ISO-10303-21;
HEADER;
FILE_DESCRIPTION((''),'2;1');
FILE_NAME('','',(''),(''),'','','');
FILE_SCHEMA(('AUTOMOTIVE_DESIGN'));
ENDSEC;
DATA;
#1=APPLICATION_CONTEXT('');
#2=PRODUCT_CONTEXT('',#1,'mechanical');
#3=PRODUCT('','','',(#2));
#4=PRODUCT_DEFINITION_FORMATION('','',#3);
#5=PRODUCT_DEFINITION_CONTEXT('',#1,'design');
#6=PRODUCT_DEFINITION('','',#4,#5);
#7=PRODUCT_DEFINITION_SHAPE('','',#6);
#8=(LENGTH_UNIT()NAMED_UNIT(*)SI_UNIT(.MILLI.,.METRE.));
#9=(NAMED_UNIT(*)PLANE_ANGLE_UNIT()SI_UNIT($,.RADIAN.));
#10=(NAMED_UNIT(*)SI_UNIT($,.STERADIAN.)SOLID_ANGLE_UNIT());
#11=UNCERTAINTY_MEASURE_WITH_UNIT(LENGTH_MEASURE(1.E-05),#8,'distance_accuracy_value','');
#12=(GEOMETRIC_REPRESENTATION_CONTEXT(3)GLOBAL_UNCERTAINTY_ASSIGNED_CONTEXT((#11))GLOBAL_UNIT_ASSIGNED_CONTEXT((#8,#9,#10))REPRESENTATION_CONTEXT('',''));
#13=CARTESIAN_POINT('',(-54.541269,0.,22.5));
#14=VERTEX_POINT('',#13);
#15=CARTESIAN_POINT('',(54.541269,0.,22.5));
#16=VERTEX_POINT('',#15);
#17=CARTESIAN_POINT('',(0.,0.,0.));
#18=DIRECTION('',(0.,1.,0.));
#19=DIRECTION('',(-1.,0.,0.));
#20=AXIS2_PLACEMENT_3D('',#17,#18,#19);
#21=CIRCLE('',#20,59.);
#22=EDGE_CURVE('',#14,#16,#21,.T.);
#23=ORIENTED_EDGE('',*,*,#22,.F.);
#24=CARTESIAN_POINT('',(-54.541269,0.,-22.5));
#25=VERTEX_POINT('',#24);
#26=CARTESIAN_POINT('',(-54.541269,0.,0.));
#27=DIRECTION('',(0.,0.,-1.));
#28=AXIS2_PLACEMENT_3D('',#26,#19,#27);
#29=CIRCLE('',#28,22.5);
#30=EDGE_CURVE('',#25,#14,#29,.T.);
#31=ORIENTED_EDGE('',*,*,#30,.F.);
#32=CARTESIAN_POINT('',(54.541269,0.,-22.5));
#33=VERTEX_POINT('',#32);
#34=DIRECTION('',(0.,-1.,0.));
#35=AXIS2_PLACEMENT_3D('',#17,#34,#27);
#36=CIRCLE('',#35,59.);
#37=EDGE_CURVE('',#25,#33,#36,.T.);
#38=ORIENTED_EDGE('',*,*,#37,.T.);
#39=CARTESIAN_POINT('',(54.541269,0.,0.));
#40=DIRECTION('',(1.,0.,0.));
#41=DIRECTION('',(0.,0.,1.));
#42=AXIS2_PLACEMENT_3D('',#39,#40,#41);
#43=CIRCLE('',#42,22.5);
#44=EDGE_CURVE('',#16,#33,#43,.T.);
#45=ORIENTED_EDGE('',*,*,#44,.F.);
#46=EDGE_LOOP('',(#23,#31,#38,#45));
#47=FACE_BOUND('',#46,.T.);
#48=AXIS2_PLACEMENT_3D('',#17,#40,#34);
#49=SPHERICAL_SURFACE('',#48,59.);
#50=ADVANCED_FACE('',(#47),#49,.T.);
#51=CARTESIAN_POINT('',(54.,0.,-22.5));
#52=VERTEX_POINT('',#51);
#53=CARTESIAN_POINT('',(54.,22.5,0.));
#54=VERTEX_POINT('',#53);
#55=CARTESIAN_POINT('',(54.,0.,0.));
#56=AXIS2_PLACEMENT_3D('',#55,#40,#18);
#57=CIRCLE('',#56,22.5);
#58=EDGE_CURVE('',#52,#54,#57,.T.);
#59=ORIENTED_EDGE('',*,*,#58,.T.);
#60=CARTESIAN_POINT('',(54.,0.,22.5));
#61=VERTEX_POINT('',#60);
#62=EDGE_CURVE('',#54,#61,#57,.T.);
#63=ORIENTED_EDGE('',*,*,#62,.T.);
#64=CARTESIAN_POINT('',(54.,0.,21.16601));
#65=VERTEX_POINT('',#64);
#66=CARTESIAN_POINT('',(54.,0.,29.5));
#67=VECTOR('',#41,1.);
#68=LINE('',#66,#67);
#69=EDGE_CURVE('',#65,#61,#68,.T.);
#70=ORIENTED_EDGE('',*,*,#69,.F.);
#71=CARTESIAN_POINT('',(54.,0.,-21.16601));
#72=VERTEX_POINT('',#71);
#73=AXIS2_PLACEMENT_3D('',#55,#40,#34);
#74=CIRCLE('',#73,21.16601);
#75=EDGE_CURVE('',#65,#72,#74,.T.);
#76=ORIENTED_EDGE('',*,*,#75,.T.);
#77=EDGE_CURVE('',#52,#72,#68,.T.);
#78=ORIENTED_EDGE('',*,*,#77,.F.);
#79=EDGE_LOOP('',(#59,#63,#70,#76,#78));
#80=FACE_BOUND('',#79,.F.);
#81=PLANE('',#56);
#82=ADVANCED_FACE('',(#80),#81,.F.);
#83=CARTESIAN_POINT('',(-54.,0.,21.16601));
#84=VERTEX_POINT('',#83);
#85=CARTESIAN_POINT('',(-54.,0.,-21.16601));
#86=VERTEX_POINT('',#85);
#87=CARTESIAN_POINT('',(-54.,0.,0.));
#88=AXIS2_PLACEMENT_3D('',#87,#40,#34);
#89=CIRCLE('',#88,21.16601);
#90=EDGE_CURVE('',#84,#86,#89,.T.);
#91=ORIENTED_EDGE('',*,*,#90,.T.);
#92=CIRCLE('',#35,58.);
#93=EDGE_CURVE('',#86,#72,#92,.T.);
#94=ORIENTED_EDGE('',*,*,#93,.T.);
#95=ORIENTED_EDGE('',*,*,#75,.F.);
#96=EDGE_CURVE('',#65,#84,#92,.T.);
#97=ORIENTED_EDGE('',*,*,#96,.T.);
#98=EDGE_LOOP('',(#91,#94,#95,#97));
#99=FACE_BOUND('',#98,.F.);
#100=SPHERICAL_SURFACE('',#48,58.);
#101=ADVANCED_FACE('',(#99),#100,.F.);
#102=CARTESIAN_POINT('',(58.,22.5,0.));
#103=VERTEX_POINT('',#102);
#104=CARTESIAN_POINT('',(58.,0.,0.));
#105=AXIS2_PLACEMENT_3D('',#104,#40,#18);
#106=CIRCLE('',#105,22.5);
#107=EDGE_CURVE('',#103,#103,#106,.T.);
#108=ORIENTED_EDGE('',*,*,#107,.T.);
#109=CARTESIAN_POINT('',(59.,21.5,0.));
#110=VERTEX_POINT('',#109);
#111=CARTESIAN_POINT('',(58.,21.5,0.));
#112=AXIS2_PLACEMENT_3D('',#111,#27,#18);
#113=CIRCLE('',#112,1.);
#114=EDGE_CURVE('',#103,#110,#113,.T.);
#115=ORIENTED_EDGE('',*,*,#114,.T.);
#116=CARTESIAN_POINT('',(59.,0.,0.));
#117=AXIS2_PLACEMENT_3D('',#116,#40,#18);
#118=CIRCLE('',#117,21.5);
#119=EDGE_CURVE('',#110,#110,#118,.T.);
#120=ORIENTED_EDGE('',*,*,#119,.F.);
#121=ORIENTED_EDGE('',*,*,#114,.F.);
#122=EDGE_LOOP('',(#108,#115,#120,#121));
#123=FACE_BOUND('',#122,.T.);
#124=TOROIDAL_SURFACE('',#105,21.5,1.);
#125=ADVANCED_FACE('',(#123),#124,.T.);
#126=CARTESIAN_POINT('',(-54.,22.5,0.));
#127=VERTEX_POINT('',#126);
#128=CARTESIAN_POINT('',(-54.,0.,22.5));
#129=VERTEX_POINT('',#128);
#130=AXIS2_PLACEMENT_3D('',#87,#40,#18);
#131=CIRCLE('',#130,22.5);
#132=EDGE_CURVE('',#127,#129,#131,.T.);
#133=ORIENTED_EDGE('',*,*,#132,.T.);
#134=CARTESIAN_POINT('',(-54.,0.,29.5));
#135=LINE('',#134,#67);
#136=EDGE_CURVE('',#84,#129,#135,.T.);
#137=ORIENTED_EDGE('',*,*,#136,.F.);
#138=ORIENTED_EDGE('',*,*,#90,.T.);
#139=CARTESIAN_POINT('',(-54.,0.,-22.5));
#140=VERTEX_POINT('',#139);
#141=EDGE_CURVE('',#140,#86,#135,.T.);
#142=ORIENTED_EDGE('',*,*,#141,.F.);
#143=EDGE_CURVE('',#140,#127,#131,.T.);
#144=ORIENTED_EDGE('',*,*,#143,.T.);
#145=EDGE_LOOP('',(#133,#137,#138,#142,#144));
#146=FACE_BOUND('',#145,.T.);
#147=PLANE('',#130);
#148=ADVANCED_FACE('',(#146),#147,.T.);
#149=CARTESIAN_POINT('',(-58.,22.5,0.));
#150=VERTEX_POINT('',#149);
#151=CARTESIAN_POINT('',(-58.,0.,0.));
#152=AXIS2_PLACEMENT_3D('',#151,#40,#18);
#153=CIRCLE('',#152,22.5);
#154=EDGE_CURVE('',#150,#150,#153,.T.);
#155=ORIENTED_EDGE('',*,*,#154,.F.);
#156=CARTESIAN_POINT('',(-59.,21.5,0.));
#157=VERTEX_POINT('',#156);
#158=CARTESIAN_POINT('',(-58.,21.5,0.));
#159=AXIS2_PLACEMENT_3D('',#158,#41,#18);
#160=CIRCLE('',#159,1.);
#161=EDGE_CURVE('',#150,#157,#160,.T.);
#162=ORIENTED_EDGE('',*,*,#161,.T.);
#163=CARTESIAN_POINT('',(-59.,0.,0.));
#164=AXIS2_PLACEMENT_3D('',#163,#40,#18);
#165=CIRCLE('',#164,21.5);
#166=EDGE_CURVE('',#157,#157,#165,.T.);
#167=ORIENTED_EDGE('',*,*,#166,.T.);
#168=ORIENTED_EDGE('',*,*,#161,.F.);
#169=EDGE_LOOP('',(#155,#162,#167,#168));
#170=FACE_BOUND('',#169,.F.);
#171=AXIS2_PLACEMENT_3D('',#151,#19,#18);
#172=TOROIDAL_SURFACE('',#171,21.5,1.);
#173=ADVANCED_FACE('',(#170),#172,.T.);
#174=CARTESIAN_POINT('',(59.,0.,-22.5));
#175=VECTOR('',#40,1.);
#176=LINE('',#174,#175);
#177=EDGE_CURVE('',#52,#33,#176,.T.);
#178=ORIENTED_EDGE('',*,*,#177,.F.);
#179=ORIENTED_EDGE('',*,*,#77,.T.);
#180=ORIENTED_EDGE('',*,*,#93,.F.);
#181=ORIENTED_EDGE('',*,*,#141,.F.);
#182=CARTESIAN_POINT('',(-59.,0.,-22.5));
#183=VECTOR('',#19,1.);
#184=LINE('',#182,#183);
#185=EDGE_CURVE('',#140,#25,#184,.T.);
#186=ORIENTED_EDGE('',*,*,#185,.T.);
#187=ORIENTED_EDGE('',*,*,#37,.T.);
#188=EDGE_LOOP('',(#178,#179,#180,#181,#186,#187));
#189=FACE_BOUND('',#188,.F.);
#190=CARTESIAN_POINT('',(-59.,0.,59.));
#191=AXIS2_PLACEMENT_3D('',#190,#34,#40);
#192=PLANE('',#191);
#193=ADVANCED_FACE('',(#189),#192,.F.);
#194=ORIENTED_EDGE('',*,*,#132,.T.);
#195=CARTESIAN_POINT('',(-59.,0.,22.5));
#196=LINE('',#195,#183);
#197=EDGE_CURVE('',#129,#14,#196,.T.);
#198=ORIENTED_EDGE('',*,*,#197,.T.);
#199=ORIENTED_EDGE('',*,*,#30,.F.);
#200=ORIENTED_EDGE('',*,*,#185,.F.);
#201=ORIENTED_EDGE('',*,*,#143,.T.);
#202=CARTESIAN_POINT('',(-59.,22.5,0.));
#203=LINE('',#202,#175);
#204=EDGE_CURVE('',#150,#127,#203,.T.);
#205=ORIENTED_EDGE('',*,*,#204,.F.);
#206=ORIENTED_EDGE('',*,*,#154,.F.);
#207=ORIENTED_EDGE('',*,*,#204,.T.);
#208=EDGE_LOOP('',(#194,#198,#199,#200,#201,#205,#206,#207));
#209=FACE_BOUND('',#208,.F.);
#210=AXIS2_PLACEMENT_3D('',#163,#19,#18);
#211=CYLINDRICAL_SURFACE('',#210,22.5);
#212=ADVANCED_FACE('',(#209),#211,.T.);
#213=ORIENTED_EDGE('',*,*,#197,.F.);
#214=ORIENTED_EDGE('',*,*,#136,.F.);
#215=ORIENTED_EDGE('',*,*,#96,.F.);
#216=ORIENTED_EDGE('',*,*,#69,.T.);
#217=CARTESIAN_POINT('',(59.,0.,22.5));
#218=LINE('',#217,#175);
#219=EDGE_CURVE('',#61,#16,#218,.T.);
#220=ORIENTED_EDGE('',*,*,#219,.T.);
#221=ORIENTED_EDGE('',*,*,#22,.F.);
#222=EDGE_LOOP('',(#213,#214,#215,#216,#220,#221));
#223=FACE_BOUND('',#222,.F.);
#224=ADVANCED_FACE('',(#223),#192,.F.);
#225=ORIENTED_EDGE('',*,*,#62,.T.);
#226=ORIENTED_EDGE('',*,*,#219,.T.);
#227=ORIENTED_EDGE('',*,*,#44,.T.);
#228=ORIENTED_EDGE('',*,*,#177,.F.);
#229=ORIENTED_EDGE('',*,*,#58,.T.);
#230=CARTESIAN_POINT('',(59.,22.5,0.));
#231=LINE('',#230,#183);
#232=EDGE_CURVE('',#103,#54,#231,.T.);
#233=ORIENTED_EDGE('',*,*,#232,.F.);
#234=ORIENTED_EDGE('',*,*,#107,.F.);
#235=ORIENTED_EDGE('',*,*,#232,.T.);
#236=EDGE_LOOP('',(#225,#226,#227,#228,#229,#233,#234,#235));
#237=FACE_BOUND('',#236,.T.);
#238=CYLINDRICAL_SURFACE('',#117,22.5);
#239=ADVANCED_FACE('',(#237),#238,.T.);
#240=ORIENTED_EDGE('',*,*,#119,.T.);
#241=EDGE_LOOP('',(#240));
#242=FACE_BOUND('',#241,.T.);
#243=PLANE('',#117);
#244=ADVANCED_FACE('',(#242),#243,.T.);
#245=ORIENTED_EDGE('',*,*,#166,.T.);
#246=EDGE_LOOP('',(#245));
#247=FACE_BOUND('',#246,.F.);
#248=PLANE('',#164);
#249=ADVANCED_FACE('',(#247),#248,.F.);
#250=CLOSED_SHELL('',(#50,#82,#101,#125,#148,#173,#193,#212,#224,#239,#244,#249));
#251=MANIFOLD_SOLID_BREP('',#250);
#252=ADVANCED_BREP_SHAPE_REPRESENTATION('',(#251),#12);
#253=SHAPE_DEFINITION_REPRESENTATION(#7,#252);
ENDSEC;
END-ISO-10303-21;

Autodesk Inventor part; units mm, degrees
sketch "Sketch1" plane through (0, 0, 0) normal (0, 0, 1) x (1, 0, 0)
  arc A0 (-59, 0) -> (59, 0) centre (0, 0) ccw
  arc A1 (-58, 0) -> (58, 0) centre (0, 0) ccw
  line L0 (-59, 0) -> (59, 0)
  dimension "d0" = 118
  dimension "d1" = 116
revolve "Revolution1" add sketch "Sketch1" angle 360 about axis through (-59, 0, 0) along (1, 0, 0) contours L0 A1 A0
ref_plane "Work Plane1" through (0, 0, 59) normal (0, 0, 1) x (1, 0, 0)
sketch "Sketch2" plane through (0, 0, 59) normal (0, 0, 1) x (1, 0, 0)
  circle A0 centre (0, 0) radius 59 projected
  line L0 (-59, 0) -> (59, 0)
extrude "Extrusion1" cut sketch "Sketch2" against normal through all contours L0 A0 picked at (13.5288, 25.207)
ref_plane "Work Plane2" through (-59, 0, 0) normal (1, 0, 0) x (0, 1, 0)
sketch "Sketch3" plane through (-59, 0, 0) normal (1, 0, 0) x (0, 1, 0)
  circle A0 centre (0, 0) radius 22.5
  dimension "d5" = 45
extrude "Extrusion2" add sketch "Sketch3" along normal blind 5
fillet "Fillet1" radius 1 1 edges at (-59, -22.5, 0)
ref_plane "Work Plane3" through (59, 0, 0) normal (1, 0, 0) x (0, 1, 0)
sketch "Sketch4" plane through (59, 0, 0) normal (1, 0, 0) x (0, 1, 0)
  circle A0 centre (0, 0) radius 22.5
  point P0 (0, 22.5)
extrude "Extrusion3" add sketch "Sketch4" against normal blind 5
fillet "Fillet2" radius 1 1 edges at (59, -22.5, 0)
properties part number "Head"
